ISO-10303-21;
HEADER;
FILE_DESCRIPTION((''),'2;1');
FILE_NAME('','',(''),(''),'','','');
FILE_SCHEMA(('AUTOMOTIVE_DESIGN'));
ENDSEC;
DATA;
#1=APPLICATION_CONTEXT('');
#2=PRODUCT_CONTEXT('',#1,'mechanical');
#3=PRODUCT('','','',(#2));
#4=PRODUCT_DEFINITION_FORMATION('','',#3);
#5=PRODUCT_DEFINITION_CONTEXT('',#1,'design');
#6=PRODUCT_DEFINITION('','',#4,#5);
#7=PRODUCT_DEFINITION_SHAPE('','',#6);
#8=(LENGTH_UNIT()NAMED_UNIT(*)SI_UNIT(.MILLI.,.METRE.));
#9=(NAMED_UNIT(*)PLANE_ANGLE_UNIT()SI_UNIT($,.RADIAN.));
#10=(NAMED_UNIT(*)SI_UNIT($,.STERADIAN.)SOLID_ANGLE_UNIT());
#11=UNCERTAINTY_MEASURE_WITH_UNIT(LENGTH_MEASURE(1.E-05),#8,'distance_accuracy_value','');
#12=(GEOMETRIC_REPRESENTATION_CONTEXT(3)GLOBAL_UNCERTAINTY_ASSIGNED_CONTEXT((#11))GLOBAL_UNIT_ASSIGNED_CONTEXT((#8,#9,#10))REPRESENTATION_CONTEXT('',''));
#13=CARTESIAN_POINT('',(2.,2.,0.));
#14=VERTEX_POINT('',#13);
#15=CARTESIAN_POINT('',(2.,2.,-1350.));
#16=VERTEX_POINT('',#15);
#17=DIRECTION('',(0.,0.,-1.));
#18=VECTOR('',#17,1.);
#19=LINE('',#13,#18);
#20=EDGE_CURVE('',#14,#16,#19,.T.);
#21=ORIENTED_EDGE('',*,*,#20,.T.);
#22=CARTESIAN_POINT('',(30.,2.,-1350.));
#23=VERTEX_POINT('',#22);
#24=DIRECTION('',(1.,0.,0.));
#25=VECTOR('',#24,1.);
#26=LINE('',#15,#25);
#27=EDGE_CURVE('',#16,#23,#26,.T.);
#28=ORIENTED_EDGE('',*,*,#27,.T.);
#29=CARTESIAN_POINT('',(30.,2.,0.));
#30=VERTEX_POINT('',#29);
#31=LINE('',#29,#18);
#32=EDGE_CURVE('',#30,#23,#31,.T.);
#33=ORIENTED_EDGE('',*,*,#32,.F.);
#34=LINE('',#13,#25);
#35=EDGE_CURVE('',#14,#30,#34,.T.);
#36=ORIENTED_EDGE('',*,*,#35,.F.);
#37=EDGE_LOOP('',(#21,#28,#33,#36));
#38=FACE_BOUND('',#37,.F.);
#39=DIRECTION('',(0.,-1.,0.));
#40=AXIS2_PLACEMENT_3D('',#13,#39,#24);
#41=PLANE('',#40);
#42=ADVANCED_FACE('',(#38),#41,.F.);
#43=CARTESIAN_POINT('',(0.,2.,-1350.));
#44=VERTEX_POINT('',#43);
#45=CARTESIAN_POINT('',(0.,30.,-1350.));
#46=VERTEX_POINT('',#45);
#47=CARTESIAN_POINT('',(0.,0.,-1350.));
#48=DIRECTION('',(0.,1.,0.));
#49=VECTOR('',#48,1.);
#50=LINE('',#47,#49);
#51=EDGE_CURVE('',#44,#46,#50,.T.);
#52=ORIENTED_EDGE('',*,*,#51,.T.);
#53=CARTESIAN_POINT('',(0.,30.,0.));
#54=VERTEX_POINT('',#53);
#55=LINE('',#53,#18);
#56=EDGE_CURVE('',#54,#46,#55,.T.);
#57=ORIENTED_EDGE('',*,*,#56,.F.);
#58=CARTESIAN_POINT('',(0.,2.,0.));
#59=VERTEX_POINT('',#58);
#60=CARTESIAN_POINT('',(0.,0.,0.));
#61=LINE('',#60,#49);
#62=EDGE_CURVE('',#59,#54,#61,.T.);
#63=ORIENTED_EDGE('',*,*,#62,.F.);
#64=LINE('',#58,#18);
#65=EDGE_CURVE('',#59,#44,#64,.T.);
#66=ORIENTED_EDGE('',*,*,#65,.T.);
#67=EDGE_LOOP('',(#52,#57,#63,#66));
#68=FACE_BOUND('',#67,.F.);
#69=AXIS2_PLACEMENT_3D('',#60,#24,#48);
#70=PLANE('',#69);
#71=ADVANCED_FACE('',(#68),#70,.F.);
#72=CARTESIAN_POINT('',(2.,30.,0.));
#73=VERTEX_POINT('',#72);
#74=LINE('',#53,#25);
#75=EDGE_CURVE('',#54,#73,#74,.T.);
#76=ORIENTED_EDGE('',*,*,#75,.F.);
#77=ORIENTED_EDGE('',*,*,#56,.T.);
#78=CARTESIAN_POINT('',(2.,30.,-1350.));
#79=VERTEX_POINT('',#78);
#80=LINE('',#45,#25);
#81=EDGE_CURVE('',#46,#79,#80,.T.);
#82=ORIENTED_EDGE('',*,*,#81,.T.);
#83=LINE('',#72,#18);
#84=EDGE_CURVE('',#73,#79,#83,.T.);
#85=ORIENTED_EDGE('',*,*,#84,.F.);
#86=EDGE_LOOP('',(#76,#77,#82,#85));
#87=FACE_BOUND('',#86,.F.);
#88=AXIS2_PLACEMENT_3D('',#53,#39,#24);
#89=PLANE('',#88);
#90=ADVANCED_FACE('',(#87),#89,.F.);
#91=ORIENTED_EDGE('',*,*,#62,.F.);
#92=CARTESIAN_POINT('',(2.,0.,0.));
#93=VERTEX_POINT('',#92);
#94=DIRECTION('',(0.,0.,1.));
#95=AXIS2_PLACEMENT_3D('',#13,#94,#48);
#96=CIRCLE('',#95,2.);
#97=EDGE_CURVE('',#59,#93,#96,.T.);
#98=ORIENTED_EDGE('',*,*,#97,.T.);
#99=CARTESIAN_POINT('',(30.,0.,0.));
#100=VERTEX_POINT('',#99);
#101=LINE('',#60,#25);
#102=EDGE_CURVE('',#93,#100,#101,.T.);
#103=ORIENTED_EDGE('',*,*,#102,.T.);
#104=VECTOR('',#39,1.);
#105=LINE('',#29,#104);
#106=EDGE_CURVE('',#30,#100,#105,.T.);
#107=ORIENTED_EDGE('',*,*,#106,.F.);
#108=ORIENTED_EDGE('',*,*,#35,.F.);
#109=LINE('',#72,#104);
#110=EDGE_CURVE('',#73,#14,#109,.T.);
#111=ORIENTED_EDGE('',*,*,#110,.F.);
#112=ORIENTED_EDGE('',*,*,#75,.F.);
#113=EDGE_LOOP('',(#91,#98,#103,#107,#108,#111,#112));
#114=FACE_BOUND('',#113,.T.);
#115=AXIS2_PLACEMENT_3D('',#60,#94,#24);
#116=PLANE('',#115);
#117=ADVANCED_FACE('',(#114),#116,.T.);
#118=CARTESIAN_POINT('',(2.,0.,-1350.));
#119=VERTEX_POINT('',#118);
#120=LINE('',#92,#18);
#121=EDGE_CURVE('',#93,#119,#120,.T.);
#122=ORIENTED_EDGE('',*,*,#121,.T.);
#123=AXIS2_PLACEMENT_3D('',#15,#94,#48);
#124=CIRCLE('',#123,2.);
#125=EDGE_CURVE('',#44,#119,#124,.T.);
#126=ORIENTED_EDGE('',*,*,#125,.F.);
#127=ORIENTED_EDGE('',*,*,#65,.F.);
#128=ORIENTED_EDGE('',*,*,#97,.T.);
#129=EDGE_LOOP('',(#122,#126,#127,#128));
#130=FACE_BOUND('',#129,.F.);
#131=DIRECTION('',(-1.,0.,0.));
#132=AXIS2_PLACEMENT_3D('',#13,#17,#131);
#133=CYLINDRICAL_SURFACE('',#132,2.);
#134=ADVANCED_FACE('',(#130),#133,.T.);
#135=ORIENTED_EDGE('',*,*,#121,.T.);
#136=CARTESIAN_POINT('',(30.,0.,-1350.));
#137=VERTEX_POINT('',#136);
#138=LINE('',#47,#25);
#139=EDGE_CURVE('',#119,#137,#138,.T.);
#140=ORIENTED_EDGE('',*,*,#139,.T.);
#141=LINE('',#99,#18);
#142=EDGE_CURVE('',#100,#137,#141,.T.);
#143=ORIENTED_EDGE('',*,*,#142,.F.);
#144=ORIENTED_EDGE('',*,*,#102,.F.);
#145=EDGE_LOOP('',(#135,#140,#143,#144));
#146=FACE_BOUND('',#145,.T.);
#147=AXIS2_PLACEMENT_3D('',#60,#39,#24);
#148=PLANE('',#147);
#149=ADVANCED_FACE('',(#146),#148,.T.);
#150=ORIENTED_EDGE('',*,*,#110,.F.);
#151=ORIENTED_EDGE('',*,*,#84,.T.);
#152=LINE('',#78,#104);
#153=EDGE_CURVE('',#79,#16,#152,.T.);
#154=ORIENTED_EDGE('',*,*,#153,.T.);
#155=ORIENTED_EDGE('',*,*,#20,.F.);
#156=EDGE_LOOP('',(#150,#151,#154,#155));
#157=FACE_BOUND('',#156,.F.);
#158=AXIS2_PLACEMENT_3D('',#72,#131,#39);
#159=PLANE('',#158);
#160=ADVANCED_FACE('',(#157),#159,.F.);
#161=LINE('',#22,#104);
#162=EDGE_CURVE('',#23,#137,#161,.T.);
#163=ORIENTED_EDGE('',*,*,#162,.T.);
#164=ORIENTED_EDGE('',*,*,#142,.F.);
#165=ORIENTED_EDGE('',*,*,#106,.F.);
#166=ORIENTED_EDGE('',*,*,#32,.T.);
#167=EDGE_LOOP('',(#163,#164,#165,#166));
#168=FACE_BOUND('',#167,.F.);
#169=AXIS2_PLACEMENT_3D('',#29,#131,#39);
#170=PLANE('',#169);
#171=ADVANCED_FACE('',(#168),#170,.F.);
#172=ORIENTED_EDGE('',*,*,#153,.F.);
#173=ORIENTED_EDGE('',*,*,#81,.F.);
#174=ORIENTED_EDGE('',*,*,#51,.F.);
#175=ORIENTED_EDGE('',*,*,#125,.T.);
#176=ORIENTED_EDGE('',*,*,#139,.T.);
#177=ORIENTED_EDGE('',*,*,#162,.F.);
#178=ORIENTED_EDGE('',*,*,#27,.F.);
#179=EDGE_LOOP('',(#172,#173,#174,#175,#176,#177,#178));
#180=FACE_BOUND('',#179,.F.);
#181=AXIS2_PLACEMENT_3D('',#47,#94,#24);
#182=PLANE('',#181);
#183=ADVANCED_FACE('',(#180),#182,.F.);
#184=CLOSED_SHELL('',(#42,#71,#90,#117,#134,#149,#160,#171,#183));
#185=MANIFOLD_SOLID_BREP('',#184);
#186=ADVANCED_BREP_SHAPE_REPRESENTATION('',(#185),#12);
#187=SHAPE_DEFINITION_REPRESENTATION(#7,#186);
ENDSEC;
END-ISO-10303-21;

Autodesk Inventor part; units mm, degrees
ref_plane "YZ Plane" through (0, 0, 0) normal (1, 0, 0) x (0, 1, 0)
sketch "Sketch1" plane through (0, 0, 0) normal (0, 0, 1) x (1, 0, 0)
  line L0 (0, 0) -> (0, 30)
  line L1 (0, 0) -> (30, 0)
  line L2 (2, 30) -> (2, 2)
  line L3 (2, 2) -> (30, 2)
  line L4 (0, 30) -> (2, 30)
  line L5 (30, 2) -> (30, 0)
  dimension "d7" = 30
  dimension "d8" = 30
  dimension "d9" = 2
extrude "Extrusion1" add sketch "Sketch1" against normal blind 1350
ref_plane "Work Plane1" through (2, 30, 0) normal (-0.7071, -0.7071, 0) x (0, 0, -1)
ref_plane "Work Plane2" through (0, 30, 0) normal (-0.7071, 0.7071, 0) x (0, 0, -1)
ref_plane "Work Plane3" through (30, 0, 0) normal (-0.7071, 0.7071, 0) x (0, 0, -1)
fillet "Fillet1" radius 2 1 edges at (0, 0, -675)
ref_plane "Work Plane4" through (15.0001, 14.9999, 0) normal (-0.7071, 0.7071, 0) x (0, 0, -1)
properties part number "Angulo en V"
